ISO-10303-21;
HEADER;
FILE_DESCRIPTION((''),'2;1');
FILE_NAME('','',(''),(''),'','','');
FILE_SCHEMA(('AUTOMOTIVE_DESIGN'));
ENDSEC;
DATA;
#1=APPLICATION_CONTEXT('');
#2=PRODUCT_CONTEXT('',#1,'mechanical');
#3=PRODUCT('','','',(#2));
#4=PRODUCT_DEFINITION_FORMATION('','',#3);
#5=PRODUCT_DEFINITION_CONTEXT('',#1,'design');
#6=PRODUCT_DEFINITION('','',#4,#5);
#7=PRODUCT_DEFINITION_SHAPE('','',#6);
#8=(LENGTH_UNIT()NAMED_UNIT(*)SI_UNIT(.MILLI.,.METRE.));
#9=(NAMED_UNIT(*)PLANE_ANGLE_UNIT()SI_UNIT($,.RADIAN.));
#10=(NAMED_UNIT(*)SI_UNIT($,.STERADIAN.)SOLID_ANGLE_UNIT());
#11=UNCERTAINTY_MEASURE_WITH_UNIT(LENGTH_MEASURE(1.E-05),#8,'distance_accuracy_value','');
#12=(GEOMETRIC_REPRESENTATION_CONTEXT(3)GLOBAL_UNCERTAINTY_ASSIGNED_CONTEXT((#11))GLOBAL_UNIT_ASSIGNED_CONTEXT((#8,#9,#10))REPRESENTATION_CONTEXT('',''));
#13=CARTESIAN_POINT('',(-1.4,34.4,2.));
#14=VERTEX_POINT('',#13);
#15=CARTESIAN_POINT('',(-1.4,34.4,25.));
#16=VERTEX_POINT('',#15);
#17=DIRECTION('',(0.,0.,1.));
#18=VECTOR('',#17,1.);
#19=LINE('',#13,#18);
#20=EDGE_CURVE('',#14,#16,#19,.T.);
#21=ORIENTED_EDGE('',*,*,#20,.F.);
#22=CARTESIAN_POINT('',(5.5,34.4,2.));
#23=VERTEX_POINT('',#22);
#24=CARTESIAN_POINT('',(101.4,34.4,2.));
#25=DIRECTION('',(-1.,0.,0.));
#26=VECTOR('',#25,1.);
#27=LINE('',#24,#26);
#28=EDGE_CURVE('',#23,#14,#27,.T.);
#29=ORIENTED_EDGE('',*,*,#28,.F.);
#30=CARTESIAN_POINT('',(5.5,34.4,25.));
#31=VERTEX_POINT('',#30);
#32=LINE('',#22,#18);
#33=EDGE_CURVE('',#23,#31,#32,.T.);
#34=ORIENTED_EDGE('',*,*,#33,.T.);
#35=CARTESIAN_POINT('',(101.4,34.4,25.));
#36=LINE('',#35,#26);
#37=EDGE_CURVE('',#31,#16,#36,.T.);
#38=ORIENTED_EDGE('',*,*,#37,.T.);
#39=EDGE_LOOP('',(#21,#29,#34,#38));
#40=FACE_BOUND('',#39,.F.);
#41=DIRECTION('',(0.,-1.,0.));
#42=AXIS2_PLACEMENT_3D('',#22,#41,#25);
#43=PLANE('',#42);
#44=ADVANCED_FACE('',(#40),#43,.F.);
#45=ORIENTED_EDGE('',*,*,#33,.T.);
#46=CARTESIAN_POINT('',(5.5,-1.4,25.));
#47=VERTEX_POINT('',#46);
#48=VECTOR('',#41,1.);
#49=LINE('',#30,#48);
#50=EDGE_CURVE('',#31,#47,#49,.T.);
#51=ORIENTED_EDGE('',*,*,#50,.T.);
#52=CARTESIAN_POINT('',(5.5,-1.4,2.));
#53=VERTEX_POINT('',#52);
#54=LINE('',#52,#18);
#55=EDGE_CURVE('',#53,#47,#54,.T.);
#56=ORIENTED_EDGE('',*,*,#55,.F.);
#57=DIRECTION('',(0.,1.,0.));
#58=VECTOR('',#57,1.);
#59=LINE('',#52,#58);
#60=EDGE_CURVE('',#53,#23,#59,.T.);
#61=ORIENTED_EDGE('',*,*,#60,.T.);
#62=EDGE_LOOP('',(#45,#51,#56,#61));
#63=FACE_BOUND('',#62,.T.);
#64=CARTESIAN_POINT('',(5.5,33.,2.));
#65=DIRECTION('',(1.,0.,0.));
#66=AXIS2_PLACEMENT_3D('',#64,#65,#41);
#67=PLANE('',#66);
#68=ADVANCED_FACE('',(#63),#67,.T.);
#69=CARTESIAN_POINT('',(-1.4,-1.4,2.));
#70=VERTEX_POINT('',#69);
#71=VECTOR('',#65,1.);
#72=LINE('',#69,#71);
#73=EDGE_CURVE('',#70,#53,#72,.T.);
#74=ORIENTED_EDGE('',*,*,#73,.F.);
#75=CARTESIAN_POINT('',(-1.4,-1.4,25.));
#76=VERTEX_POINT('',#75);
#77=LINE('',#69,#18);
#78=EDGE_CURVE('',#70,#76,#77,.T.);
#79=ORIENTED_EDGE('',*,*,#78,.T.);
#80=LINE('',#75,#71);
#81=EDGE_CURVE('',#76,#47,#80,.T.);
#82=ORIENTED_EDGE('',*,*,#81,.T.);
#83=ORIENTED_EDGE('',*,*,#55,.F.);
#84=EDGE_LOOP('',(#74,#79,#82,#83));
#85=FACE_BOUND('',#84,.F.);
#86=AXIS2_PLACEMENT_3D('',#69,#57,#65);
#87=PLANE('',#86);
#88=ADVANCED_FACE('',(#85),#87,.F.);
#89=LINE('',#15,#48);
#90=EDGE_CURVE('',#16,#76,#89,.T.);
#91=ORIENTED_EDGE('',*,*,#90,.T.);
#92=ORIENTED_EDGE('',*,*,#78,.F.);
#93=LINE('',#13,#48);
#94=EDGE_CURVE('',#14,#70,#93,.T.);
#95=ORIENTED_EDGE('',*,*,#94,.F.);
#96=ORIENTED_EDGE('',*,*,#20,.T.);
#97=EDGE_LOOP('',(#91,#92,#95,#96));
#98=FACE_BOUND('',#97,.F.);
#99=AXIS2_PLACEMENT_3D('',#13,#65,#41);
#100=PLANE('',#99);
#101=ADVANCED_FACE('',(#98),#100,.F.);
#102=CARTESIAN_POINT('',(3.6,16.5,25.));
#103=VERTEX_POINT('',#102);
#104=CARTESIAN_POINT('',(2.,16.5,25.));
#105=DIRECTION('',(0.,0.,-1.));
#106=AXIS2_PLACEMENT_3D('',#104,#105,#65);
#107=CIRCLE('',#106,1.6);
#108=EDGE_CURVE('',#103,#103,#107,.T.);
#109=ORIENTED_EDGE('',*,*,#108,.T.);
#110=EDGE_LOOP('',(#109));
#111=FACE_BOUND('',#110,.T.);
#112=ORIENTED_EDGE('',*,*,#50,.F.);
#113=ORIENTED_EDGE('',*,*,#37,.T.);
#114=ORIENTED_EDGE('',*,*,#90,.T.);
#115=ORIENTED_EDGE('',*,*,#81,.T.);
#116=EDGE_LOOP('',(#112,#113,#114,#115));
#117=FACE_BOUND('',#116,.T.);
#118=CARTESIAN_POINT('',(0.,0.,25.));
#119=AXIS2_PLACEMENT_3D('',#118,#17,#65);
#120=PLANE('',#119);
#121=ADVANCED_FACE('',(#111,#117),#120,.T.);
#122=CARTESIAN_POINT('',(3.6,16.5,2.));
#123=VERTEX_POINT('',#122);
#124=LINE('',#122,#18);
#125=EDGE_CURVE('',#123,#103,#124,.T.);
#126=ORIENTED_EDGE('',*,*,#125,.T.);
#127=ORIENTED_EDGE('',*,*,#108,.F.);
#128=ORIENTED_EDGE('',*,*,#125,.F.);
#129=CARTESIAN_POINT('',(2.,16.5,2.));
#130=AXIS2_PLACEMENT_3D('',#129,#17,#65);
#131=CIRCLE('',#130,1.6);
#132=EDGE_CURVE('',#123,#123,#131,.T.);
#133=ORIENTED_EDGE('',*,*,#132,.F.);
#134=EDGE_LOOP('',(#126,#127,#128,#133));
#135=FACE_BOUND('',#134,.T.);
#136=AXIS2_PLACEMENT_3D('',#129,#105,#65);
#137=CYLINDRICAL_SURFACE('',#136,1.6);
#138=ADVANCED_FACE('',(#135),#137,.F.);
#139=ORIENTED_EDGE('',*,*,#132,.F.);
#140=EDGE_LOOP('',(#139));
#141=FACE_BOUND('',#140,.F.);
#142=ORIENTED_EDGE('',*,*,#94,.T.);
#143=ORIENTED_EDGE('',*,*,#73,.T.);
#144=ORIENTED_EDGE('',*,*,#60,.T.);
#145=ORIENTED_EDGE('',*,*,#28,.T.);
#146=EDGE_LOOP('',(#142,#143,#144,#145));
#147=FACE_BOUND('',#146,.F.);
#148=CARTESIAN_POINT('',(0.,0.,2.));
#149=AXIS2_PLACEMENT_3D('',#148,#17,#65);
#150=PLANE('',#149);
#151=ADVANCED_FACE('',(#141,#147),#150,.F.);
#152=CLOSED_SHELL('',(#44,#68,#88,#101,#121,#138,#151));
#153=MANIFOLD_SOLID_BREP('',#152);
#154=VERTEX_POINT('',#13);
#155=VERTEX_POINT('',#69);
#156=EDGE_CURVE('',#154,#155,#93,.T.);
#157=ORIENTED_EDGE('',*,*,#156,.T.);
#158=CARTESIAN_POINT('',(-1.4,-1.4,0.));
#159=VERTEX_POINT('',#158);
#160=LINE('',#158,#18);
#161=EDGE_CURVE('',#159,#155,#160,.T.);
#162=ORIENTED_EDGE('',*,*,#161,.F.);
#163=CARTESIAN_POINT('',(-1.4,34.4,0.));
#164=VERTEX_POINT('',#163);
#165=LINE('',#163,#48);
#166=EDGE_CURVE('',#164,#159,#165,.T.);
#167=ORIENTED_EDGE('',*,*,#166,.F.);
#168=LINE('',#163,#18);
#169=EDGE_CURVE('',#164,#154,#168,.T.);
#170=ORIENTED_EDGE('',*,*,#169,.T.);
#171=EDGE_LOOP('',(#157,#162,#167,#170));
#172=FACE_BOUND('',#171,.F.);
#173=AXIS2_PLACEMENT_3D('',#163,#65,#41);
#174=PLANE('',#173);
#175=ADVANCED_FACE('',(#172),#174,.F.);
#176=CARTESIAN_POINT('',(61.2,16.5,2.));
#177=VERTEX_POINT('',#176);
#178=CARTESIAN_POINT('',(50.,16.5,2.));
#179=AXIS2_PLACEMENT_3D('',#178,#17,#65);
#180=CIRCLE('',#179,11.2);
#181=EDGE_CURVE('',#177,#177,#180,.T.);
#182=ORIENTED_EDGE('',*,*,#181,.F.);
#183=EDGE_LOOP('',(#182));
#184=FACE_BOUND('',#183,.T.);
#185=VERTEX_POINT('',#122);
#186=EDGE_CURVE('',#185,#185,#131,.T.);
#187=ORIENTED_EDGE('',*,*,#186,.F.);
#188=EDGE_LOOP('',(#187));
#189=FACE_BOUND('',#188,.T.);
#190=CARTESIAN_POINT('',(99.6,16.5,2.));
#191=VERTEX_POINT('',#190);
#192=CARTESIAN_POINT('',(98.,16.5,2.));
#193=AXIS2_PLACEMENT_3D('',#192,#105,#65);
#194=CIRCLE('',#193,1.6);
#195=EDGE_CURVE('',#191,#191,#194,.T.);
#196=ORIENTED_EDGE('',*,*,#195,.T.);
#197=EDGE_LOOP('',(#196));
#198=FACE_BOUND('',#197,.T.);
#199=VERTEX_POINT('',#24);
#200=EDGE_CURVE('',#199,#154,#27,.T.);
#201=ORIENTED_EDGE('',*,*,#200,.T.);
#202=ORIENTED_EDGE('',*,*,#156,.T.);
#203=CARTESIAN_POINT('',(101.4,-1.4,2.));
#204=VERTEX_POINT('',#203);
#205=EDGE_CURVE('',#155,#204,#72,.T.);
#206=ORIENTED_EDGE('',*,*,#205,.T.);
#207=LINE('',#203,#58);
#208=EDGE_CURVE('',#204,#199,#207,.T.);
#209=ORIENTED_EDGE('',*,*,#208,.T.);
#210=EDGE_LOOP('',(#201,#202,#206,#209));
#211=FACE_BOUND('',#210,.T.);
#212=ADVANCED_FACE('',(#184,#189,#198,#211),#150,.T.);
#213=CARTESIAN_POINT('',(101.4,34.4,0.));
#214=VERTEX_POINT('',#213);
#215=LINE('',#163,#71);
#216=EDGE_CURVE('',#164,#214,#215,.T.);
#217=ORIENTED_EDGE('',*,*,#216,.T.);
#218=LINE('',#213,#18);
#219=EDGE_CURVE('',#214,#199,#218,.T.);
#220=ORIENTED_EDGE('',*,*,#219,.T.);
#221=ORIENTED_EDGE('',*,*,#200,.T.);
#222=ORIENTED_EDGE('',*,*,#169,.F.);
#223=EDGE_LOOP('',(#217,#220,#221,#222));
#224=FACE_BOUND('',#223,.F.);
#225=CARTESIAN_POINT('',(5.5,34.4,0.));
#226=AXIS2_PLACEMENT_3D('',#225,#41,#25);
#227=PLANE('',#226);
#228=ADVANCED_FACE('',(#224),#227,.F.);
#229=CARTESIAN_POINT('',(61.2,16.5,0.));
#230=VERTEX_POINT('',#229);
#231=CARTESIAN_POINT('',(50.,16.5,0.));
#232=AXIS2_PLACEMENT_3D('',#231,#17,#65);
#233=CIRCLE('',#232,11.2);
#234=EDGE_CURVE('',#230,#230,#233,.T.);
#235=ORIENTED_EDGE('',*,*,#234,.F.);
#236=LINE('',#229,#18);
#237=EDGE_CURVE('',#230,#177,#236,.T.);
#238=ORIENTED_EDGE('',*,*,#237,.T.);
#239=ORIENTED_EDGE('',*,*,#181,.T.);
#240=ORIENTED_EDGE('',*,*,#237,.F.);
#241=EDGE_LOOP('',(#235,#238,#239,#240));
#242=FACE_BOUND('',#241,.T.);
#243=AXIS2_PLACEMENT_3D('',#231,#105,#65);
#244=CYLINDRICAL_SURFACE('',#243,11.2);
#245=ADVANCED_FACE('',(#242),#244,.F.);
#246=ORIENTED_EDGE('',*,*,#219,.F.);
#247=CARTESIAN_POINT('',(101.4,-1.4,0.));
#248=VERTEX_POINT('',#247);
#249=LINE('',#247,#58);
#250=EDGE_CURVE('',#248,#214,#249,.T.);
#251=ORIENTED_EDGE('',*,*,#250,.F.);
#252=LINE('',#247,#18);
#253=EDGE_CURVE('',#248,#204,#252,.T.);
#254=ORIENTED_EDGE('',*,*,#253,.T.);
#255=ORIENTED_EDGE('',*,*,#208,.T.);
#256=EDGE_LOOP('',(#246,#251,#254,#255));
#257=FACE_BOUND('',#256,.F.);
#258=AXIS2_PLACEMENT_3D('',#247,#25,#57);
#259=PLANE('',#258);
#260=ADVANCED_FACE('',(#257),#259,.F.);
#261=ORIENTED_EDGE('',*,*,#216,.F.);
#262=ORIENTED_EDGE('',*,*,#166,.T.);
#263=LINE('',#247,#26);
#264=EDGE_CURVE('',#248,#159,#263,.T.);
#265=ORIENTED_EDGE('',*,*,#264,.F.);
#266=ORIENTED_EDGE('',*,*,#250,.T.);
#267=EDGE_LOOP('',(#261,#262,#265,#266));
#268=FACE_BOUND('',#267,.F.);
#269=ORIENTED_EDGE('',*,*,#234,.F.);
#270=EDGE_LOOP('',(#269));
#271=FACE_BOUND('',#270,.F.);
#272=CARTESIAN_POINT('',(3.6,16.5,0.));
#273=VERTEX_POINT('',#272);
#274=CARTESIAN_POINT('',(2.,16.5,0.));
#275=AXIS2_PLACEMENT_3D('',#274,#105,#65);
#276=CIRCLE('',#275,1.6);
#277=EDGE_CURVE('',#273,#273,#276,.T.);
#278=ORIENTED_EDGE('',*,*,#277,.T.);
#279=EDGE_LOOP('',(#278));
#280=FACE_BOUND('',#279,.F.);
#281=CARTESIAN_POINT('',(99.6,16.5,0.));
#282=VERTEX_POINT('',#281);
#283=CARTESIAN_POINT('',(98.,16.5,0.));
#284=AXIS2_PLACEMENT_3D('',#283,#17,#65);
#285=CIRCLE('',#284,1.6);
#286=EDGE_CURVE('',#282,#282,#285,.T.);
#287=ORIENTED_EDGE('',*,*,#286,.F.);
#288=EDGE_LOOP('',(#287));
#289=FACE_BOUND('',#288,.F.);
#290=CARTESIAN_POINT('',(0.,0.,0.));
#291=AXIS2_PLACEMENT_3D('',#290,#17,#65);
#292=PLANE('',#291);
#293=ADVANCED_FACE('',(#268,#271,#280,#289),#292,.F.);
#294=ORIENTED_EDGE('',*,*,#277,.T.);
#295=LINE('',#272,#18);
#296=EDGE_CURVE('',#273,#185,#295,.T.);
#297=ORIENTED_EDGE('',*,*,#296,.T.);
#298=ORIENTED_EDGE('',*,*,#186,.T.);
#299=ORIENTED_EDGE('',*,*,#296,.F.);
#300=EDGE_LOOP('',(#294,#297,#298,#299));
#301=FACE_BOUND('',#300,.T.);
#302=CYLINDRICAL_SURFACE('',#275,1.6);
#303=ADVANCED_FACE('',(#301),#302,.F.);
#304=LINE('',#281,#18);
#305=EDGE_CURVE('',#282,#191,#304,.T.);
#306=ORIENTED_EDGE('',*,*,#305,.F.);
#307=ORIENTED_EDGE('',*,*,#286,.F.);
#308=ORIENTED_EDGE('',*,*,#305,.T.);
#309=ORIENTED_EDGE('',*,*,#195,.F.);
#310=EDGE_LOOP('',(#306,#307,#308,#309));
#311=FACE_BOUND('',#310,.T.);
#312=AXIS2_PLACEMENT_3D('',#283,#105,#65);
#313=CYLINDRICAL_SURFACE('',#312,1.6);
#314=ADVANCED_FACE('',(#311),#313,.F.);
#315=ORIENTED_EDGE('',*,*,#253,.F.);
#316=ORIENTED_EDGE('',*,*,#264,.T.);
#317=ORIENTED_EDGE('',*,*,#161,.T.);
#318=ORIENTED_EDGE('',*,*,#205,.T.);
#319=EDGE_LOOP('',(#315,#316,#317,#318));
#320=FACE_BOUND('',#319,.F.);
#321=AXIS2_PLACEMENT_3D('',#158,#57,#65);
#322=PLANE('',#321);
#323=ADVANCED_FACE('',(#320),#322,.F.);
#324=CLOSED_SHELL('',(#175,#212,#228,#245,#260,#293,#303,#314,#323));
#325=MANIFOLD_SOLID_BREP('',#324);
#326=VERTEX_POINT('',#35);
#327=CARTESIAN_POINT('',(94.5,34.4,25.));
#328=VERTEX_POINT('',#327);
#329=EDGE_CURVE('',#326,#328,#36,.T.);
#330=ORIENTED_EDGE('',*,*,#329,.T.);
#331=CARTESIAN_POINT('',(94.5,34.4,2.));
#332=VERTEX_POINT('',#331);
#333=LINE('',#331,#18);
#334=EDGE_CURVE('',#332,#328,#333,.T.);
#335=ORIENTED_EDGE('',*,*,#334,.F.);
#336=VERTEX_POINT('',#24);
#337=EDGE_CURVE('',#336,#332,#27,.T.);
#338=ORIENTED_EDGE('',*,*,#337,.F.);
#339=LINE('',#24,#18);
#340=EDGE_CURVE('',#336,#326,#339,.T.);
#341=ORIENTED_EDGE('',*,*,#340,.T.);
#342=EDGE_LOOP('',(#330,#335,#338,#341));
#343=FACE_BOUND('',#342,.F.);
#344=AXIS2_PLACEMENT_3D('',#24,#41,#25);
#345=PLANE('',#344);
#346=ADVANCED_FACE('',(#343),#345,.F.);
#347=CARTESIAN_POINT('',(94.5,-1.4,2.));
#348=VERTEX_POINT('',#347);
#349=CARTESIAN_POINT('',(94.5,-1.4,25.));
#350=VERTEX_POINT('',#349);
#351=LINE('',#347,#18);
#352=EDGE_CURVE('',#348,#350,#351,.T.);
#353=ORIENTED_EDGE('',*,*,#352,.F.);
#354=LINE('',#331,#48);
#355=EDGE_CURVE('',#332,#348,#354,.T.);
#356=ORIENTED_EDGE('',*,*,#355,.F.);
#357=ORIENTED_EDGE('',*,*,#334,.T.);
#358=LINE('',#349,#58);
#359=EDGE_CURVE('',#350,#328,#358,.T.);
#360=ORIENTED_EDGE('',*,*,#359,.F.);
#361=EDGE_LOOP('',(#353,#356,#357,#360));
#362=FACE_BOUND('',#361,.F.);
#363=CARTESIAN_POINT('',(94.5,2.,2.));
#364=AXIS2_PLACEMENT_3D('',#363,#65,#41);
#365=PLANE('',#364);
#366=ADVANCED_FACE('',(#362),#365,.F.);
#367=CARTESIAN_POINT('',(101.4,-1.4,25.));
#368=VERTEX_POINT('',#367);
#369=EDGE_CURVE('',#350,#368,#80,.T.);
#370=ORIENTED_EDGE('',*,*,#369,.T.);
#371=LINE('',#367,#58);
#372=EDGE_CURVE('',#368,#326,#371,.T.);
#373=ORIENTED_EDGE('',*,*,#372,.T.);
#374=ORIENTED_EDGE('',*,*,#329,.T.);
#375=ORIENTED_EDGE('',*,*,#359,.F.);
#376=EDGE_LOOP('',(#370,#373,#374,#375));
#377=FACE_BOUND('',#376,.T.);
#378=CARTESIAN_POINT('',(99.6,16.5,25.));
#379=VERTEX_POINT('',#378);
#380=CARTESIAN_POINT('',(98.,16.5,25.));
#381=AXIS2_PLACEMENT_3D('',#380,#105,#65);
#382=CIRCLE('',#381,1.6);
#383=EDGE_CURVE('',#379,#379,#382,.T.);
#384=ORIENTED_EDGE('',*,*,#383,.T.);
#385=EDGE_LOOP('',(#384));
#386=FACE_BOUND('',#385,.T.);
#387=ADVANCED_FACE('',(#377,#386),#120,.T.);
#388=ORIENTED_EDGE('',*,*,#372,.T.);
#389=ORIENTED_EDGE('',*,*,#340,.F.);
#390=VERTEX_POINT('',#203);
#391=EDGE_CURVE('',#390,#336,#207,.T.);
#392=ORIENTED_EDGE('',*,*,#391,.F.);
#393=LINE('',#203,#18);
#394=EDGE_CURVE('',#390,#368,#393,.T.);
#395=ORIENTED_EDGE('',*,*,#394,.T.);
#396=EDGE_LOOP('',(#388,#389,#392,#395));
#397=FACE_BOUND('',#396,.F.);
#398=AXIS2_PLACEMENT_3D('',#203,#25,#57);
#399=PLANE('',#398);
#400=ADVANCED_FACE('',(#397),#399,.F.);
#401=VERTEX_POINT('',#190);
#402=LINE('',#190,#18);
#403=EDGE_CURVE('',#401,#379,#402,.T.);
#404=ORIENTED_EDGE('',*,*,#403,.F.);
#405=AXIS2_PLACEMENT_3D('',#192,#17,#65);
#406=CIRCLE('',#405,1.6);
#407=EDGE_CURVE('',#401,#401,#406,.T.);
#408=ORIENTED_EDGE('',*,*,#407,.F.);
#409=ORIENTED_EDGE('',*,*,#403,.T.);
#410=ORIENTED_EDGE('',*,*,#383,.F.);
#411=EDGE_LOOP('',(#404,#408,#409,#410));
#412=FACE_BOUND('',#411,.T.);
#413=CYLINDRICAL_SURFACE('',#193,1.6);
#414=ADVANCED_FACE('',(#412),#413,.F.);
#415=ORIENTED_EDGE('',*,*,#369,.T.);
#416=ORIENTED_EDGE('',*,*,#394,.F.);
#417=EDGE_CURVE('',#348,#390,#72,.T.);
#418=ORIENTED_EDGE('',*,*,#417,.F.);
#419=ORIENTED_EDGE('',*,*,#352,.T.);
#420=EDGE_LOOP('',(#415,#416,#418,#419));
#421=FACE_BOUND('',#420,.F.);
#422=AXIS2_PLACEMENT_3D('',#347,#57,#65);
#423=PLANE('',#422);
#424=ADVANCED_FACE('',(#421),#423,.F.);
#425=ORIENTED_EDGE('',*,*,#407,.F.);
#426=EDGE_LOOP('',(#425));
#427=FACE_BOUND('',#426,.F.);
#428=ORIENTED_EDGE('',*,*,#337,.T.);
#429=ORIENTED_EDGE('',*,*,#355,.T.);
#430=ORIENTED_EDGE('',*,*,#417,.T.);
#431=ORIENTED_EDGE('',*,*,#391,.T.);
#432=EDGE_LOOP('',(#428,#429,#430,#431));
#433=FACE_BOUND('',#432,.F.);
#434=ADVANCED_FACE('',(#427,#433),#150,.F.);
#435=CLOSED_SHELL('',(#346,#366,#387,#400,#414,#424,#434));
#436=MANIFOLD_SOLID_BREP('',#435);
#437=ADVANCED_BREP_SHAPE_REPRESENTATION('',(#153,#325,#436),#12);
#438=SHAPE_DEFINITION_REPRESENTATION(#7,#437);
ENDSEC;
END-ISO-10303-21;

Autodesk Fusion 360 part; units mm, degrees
sketch "Sketch1" plane through (0, 0, 0) normal (0, 0, 1) x (1, 0, 0)
  line L0 (0, 0) -> (100, 0)
  line L1 (100, 0) -> (100, 33)
  line L2 (100, 33) -> (0, 33)
  line L3 (0, 33) -> (0, 0)
  line L4 (0, 0) -> (2, 0) construction
  line L5 (2, 0) -> (2, 2) construction
  line L6 (2, 2) -> (0, 2) construction
  line L7 (0, 2) -> (0, 0) construction
  line L8 (0, 33) -> (2, 33) construction
  line L9 (2, 33) -> (2, 31) construction
  line L10 (2, 31) -> (0, 31) construction
  line L11 (0, 31) -> (0, 33) construction
  line L12 (100, 33) -> (98, 33) construction
  line L13 (98, 33) -> (98, 31) construction
  line L14 (98, 31) -> (100, 31) construction
  line L15 (100, 31) -> (100, 33) construction
  line L16 (100, 0) -> (98, 0) construction
  line L17 (98, 0) -> (98, 2) construction
  line L18 (98, 2) -> (100, 2) construction
  line L19 (100, 2) -> (100, 0) construction
  line L20 (98, 31) -> (98, 2)
  line L21 (98, 2) -> (2, 2)
  line L22 (2, 2) -> (2, 31)
  line L23 (98, 31) -> (2, 31)
  line L24 (2, 16.5) -> (98, 16.5) construction
  line L25 (50, 2) -> (50, 31) construction
  circle A0 centre (50, 16.5) radius 11.2
  line L26 (101.5, -1.5) -> (-1.5, -1.5) construction
  line L27 (-1.5, -1.5) -> (-1.5, 34.5) construction
  line L28 (-1.5, 34.5) -> (101.5, 34.5) construction
  line L29 (101.5, 34.5) -> (101.5, -1.5) construction
  line L30 (5.5, 33) -> (5.5, 0)
  line L31 (94.5, 33) -> (94.5, 0)
  circle A1 centre (2, 16.5) radius 1.6
  circle A2 centre (98, 16.5) radius 1.6
  line L32 (101.4, 34.4) -> (-1.4, 34.4)
  line L33 (-1.4, 34.4) -> (-1.4, -1.4)
  line L34 (-1.4, -1.4) -> (101.4, -1.4)
  line L35 (101.4, -1.4) -> (101.4, 34.4)
  line L36 (101.4, 34.4) -> (-1.4, -1.4) construction
  line L37 (-1.4, 34.4) -> (101.4, -1.4) construction
  line L38 (94.5, 33) -> (94.5, 34.4)
  line L39 (94.5, 0) -> (94.5, -1.4)
  line L40 (5.5, 0) -> (5.5, -1.4)
  line L41 (5.5, 33) -> (5.5, 34.4)
  point P0 (50, 16.5)
  point P1 (50, 16.5)
  dimension "d1" = 100
  dimension "d2" = 33
  dimension "d17" = 96
  dimension "d22" = 29
  dimension "d23" = 22.4
  dimension "d24" = 103
  dimension "d25" = 36
  dimension "d26" = 7
  dimension "d27" = 7
  dimension "d31" = 3.2
  dimension "d32" = 3.2
  dimension "d40" = 102.8
  dimension "d41" = 35.8
extrude "Extrude5" add sketch "Sketch1" along normal blind 2 contours L0 L2 L3 L21 L22 L23 L30 A1 | L0 L2 L3 L32 L33 L34 L40 L41 | L0 L21 L30 L31 | L0 L34 L39 L40 | L0 L1 L2 L20 L21 L23 L31 A2 | L0 L1 L2 L32 L34 L35 L38 L39 | L21 L23 L30 L31 | L21 L22 L23 L30 A1 | L2 L32 L38 L41 | L2 L23 L30 L31 | L20 L21 L23 L31 A2 makes body 1
extrude "Extrude6" add sketch "Sketch1" along normal blind 23 from surface at 2 separate body contours L0 L2 L3 L21 L22 L23 L30 A1 | L0 L2 L3 L32 L33 L34 L40 L41 | L0 L1 L2 L20 L21 L23 L31 A2 | L0 L1 L2 L32 L34 L35 L38 L39 | L21 L22 L23 L30 A1 | L20 L21 L23 L31 A2 makes body 2 at (-1.4, 22.4667, 9.6667) makes body 3 at (101.4, 10.5333, 9.6667)
